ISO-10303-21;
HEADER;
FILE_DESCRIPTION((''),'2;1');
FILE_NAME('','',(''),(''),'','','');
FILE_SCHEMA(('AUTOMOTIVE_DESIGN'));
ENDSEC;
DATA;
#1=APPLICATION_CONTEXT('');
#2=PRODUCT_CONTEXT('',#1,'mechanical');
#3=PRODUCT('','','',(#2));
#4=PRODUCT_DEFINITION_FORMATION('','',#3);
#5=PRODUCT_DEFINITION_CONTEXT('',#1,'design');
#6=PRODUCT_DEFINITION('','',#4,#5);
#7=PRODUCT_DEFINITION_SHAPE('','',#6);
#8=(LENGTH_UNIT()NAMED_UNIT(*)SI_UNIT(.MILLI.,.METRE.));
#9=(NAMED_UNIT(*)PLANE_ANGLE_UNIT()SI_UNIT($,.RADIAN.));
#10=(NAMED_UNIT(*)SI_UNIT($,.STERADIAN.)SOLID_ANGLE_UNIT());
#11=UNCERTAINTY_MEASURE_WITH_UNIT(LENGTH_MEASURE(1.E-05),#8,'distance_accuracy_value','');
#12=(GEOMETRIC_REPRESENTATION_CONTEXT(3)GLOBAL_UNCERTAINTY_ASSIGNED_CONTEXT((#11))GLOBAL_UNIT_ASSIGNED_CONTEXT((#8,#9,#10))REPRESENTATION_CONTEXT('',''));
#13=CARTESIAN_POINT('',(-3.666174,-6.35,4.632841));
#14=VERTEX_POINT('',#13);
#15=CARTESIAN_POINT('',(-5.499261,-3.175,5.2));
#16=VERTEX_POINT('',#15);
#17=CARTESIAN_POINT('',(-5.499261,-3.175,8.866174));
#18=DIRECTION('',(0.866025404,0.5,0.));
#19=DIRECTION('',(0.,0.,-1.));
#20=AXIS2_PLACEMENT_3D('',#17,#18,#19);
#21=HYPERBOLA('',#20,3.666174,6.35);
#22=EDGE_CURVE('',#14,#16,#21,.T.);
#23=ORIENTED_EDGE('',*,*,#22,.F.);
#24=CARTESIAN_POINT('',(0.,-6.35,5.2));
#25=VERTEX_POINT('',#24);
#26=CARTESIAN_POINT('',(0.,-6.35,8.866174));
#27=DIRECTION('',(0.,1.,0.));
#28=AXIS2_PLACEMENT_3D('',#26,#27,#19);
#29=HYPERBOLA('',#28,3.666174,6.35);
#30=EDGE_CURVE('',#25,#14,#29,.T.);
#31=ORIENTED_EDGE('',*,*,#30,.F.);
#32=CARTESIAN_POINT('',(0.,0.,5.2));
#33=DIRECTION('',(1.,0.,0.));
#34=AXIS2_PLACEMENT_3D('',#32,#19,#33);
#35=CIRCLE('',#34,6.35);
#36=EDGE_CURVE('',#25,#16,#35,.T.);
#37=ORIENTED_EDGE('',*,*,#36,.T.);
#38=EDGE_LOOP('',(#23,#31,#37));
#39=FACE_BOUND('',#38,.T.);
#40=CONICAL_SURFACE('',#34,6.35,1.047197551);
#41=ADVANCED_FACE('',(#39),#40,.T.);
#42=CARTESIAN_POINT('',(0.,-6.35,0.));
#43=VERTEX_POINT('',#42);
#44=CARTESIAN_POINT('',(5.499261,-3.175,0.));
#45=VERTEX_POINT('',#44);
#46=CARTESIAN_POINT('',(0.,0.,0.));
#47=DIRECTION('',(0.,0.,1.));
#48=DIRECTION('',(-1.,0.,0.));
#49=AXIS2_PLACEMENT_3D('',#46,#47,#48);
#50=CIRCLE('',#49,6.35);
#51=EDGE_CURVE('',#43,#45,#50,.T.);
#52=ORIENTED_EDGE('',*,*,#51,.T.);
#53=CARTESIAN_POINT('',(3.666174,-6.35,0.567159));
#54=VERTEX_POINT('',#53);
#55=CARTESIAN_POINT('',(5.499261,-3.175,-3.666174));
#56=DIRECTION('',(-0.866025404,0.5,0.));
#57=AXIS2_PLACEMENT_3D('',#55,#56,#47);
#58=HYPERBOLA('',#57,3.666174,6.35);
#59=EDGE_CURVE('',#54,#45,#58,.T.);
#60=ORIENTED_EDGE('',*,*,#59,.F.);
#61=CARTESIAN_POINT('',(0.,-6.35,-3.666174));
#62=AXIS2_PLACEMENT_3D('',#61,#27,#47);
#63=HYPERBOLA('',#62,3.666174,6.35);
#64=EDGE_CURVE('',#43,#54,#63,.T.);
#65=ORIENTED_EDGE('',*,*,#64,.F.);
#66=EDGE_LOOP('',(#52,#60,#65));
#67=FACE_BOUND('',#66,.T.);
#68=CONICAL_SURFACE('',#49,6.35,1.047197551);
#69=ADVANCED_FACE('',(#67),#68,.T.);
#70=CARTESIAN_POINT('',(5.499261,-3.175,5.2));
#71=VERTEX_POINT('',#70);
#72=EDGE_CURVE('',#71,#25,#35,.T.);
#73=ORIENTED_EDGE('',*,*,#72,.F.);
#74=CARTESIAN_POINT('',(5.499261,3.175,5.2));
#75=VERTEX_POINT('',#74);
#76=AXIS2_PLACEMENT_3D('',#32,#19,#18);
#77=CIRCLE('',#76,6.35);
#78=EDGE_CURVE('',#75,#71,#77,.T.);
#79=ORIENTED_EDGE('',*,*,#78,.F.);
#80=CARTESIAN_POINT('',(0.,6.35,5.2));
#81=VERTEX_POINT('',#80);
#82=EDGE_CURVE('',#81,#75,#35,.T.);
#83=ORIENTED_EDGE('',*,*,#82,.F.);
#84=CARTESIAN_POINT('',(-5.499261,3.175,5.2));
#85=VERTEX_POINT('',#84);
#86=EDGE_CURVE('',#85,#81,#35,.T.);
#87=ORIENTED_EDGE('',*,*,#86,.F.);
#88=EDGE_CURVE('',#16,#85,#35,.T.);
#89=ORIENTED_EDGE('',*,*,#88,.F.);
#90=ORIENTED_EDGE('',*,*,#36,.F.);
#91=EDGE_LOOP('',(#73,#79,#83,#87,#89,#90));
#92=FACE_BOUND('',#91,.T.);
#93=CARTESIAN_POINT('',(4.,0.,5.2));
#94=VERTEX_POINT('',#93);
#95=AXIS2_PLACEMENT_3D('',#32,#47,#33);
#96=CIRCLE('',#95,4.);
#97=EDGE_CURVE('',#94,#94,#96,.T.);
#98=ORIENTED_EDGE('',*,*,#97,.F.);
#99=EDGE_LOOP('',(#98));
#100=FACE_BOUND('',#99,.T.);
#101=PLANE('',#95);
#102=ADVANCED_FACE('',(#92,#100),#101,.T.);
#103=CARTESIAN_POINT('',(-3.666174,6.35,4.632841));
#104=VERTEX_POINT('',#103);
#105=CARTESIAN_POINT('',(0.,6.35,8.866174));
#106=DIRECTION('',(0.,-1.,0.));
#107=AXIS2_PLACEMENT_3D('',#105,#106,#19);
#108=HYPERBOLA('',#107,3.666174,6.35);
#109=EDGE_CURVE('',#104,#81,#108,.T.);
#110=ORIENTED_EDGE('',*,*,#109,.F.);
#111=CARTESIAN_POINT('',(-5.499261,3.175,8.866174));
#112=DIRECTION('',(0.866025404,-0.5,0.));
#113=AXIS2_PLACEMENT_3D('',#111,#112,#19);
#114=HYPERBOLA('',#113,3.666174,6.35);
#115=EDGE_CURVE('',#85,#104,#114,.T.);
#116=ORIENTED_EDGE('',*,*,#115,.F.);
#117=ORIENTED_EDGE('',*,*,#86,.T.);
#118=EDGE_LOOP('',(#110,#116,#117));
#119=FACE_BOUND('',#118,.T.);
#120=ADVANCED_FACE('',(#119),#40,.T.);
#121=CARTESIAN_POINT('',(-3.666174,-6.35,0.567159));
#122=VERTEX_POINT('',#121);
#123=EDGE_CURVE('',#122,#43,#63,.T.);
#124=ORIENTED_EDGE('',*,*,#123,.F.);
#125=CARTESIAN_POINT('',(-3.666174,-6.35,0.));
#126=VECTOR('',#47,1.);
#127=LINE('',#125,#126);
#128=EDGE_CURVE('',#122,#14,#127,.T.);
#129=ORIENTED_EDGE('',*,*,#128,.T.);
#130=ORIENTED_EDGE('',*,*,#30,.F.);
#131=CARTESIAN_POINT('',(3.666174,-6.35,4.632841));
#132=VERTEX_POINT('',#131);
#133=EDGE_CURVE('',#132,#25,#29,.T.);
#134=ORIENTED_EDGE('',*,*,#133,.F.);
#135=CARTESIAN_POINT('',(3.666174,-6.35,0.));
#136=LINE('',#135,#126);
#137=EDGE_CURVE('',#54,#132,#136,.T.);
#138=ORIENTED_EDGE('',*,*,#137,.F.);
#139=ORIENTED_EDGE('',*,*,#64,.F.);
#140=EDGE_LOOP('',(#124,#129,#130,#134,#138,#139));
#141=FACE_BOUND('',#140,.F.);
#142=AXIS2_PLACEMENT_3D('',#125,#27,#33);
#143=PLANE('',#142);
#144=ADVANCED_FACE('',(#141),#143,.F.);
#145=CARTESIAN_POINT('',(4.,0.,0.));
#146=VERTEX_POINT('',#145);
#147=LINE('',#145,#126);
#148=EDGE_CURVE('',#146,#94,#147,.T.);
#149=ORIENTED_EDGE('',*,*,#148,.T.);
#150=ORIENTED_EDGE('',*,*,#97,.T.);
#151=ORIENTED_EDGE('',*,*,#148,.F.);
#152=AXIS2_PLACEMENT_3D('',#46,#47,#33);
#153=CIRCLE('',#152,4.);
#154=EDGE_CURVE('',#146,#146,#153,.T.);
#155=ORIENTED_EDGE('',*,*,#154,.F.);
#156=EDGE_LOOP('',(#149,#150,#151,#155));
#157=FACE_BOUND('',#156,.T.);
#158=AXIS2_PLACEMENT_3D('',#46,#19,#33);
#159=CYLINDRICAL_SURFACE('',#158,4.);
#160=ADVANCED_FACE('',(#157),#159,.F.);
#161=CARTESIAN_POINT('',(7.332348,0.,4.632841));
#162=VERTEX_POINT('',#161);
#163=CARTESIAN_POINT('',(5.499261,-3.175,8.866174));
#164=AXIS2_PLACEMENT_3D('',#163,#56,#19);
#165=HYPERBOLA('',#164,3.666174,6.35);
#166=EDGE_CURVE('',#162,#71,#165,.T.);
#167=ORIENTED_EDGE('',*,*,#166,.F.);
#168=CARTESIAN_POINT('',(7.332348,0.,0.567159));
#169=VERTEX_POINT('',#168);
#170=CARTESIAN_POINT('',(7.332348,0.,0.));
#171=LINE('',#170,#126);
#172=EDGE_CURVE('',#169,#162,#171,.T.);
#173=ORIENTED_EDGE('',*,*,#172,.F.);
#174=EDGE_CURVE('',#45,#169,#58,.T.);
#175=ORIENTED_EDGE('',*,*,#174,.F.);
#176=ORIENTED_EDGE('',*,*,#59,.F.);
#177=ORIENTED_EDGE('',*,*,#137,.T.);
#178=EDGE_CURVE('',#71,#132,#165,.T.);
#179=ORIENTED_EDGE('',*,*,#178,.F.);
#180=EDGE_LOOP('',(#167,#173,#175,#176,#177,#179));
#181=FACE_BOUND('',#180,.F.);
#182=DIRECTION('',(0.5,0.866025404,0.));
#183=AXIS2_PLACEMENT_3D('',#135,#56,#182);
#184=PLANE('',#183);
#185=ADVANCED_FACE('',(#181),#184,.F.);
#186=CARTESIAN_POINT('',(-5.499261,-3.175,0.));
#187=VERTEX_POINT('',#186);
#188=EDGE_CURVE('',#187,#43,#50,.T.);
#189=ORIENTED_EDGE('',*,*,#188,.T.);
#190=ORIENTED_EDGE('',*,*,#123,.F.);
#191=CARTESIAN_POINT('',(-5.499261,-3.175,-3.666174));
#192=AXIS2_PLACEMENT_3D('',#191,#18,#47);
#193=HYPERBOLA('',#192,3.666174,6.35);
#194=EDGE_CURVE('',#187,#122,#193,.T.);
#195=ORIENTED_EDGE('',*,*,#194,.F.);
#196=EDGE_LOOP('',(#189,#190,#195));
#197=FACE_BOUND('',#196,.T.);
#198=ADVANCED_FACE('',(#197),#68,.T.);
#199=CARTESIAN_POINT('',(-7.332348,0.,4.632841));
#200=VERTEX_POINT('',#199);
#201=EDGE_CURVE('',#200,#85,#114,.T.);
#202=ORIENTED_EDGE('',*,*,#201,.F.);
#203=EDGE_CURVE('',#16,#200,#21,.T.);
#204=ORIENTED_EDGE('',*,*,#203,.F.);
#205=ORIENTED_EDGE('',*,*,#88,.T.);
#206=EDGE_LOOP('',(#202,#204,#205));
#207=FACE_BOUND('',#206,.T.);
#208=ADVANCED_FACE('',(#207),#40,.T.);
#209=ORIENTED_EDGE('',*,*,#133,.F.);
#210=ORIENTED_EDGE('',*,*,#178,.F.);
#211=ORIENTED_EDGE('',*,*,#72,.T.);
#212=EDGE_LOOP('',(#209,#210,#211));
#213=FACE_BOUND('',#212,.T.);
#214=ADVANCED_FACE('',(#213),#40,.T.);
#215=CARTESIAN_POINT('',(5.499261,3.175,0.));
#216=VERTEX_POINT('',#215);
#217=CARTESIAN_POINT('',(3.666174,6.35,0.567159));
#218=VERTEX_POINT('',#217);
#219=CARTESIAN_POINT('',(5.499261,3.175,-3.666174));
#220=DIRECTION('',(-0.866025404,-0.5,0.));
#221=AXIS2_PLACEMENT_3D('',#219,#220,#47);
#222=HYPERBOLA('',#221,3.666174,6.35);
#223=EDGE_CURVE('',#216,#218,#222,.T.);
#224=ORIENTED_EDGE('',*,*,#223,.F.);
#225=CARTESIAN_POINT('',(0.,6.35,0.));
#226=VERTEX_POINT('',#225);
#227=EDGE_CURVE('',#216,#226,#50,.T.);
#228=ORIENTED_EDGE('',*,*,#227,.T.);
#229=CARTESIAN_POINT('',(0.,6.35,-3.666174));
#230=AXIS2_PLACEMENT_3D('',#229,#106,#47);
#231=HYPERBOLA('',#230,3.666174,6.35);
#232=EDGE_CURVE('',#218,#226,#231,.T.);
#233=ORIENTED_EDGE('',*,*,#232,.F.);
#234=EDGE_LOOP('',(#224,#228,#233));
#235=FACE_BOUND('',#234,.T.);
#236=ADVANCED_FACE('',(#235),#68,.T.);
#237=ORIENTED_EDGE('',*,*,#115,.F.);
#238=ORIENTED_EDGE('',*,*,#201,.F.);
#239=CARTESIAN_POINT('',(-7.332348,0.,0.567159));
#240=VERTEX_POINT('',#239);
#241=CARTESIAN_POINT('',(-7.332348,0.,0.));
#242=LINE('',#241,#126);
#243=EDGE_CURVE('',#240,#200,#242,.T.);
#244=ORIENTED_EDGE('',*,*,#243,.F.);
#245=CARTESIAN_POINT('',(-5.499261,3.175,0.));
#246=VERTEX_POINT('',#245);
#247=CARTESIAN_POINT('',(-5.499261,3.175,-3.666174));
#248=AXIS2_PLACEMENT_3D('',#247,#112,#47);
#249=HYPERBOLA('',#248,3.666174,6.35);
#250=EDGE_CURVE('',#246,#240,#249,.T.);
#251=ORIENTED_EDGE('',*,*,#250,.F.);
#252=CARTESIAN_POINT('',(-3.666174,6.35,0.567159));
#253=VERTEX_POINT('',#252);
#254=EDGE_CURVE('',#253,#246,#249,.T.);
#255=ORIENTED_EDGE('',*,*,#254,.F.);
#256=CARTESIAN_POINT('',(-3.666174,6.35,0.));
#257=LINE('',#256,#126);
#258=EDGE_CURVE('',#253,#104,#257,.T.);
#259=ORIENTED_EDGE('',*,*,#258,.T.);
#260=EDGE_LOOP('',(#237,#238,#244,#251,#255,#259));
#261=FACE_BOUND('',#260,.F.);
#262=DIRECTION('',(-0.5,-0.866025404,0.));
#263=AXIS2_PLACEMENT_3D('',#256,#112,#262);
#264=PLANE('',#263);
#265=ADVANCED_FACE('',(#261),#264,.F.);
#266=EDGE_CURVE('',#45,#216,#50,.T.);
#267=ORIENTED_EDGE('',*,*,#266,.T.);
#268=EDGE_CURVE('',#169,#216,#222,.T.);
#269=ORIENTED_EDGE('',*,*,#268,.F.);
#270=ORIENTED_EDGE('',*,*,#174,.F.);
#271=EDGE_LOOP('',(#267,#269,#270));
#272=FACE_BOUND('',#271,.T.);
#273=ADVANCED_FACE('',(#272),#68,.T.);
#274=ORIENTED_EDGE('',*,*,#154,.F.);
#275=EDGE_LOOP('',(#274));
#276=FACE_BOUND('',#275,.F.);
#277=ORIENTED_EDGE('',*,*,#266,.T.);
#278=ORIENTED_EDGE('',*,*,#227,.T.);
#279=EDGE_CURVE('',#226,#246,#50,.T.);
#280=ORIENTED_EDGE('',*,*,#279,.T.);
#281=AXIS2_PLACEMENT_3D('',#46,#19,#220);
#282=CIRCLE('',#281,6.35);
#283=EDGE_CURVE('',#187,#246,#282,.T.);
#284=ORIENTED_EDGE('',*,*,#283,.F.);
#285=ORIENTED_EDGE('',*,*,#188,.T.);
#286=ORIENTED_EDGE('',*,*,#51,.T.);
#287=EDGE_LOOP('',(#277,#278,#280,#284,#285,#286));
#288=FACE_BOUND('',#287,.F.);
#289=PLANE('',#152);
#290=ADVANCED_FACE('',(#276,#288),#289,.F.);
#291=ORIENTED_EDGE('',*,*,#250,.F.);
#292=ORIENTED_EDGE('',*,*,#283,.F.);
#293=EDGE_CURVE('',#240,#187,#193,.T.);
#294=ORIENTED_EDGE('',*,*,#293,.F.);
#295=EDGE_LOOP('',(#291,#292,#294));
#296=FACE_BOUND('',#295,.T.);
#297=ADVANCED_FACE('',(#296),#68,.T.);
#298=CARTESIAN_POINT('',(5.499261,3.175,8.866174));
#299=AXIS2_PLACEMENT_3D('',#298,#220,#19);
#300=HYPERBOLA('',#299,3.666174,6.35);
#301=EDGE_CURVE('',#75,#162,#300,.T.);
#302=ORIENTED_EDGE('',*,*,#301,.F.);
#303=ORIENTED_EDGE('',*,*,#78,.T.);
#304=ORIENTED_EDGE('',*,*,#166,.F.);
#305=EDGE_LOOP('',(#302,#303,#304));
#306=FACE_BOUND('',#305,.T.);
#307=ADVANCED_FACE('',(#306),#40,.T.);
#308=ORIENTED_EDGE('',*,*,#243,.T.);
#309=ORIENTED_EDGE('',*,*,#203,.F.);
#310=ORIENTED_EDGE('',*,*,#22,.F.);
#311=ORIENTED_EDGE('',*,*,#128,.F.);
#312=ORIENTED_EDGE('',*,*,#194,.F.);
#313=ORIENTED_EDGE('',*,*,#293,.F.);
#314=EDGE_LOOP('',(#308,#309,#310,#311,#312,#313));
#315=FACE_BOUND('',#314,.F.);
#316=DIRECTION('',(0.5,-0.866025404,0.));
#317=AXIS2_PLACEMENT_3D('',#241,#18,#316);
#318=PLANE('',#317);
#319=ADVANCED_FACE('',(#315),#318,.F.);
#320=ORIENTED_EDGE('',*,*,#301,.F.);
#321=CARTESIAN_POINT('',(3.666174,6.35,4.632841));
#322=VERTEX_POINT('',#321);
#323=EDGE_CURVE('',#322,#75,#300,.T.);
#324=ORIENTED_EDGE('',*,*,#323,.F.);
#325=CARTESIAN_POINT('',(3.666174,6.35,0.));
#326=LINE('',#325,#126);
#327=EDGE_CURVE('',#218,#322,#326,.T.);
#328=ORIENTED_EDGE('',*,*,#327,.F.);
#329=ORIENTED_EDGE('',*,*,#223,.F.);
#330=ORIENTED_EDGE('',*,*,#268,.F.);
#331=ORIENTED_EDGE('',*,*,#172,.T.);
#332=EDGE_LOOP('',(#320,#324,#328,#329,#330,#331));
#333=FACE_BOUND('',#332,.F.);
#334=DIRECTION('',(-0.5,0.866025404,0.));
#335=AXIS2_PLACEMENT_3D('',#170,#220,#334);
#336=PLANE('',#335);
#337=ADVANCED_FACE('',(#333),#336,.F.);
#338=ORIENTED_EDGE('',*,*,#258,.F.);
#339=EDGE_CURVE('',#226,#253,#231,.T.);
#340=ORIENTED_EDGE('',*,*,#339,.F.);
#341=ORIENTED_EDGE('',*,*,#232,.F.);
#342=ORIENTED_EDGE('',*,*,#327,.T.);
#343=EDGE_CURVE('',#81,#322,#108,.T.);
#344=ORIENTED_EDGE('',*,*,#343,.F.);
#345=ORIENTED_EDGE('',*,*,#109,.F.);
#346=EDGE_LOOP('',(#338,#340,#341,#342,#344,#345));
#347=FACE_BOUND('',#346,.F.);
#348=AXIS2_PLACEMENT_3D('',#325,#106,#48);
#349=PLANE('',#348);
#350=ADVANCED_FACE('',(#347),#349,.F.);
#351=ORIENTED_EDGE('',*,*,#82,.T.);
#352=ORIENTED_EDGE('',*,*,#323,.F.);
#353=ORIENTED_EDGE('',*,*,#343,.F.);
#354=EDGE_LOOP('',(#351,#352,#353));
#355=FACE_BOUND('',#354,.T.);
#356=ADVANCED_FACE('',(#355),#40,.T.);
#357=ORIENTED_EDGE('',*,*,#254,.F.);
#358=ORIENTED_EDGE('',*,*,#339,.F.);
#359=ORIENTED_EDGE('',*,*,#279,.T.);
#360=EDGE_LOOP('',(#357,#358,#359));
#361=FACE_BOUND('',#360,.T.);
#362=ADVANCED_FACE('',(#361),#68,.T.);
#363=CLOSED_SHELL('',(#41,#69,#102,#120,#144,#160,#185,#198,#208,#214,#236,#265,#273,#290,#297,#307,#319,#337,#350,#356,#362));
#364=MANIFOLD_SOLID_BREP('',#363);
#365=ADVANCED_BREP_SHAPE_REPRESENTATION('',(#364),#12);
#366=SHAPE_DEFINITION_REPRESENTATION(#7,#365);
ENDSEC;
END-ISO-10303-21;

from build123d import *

# Parameters (mm, degrees)
SKETCH1_R           = 4
BOSS_EXTRUDE1_DEPTH = 5.2
SKETCH2_OUTSIDE_W   = 38.002
SKETCH2_OUTSIDE_H   = 36.038
SKETCH2_OUTSIDE_R   = 6.35
CUT_EXTRUDE1_DEPTH  = 5
CUT_EXTRUDE1_DRAFT  = -60
SKETCH3_OUTSIDE_W   = 38.002
SKETCH3_OUTSIDE_H   = 36.038
SKETCH3_OUTSIDE_R   = 6.35
CUT_EXTRUDE2_DEPTH  = 5
CUT_EXTRUDE2_DRAFT  = -60


with BuildPart() as part:
    # Sketch1 → Boss-Extrude1 (new body)
    with BuildSketch(Plane.XY):
        Polygon((7.332348419, 0), (3.666174209, 6.35), (-3.666174209, 6.35), (-7.332348419, 0), (-3.666174209, -6.35), (3.666174209, -6.35), align=None)
        Circle(SKETCH1_R, mode=Mode.SUBTRACT)
    extrude(amount=BOSS_EXTRUDE1_DEPTH)


with BuildPart() as cut_extrude1_tool:
    # Sketch2 outside → Cut-Extrude1 (with draft: the straight prism first)
    with BuildSketch(Plane.XY.offset(5.2)):
        Rectangle(SKETCH2_OUTSIDE_W, SKETCH2_OUTSIDE_H)
        Circle(SKETCH2_OUTSIDE_R, mode=Mode.SUBTRACT)
    extrude(amount=-CUT_EXTRUDE1_DEPTH)
    # Cut-Extrude1: the draft: its side faces are tilted about the plane it starts from
    cut_extrude1_sides = [cut_extrude1_tool.faces().sort_by_distance(p)[0] for p in [
        (0, -18.019, 2.7),
        (19.001, 0, 2.7),
        (0, 18.019, 2.7),
        (-19.001, 0, 2.7),
        (-6.35, 0, 2.7),
    ]]
    draft(cut_extrude1_sides, Plane.XY.offset(5.2), CUT_EXTRUDE1_DRAFT)


with BuildPart() as part_1:
    add(part.part)

    # Cut-Extrude1: cut by cut_extrude1_tool
    add(cut_extrude1_tool.part, mode=Mode.SUBTRACT)


with BuildPart() as cut_extrude2_tool:
    # Sketch3 outside → Cut-Extrude2 (with draft: the straight prism first)
    with BuildSketch(Plane(origin=(0, 0, 0), x_dir=(-1, 0, 0), z_dir=(0, 0, -1))):
        Rectangle(SKETCH3_OUTSIDE_W, SKETCH3_OUTSIDE_H)
        Circle(SKETCH3_OUTSIDE_R, mode=Mode.SUBTRACT)
    extrude(amount=-CUT_EXTRUDE2_DEPTH)
    # Cut-Extrude2: the draft: its side faces are tilted about the plane it starts from
    cut_extrude2_sides = [cut_extrude2_tool.faces().sort_by_distance(p)[0] for p in [
        (0, -18.019, 2.5),
        (-19.001, 0, 2.5),
        (0, 18.019, 2.5),
        (19.001, 0, 2.5),
        (6.35, 0, 2.5),
    ]]
    draft(cut_extrude2_sides, Plane(origin=(0, 0, 0), x_dir=(-1, 0, 0), z_dir=(0, 0, -1)), CUT_EXTRUDE2_DRAFT)


with BuildPart() as part_2:
    add(part_1.part)

    # Cut-Extrude2: cut by cut_extrude2_tool
    add(cut_extrude2_tool.part, mode=Mode.SUBTRACT)


solid = part_2.part
